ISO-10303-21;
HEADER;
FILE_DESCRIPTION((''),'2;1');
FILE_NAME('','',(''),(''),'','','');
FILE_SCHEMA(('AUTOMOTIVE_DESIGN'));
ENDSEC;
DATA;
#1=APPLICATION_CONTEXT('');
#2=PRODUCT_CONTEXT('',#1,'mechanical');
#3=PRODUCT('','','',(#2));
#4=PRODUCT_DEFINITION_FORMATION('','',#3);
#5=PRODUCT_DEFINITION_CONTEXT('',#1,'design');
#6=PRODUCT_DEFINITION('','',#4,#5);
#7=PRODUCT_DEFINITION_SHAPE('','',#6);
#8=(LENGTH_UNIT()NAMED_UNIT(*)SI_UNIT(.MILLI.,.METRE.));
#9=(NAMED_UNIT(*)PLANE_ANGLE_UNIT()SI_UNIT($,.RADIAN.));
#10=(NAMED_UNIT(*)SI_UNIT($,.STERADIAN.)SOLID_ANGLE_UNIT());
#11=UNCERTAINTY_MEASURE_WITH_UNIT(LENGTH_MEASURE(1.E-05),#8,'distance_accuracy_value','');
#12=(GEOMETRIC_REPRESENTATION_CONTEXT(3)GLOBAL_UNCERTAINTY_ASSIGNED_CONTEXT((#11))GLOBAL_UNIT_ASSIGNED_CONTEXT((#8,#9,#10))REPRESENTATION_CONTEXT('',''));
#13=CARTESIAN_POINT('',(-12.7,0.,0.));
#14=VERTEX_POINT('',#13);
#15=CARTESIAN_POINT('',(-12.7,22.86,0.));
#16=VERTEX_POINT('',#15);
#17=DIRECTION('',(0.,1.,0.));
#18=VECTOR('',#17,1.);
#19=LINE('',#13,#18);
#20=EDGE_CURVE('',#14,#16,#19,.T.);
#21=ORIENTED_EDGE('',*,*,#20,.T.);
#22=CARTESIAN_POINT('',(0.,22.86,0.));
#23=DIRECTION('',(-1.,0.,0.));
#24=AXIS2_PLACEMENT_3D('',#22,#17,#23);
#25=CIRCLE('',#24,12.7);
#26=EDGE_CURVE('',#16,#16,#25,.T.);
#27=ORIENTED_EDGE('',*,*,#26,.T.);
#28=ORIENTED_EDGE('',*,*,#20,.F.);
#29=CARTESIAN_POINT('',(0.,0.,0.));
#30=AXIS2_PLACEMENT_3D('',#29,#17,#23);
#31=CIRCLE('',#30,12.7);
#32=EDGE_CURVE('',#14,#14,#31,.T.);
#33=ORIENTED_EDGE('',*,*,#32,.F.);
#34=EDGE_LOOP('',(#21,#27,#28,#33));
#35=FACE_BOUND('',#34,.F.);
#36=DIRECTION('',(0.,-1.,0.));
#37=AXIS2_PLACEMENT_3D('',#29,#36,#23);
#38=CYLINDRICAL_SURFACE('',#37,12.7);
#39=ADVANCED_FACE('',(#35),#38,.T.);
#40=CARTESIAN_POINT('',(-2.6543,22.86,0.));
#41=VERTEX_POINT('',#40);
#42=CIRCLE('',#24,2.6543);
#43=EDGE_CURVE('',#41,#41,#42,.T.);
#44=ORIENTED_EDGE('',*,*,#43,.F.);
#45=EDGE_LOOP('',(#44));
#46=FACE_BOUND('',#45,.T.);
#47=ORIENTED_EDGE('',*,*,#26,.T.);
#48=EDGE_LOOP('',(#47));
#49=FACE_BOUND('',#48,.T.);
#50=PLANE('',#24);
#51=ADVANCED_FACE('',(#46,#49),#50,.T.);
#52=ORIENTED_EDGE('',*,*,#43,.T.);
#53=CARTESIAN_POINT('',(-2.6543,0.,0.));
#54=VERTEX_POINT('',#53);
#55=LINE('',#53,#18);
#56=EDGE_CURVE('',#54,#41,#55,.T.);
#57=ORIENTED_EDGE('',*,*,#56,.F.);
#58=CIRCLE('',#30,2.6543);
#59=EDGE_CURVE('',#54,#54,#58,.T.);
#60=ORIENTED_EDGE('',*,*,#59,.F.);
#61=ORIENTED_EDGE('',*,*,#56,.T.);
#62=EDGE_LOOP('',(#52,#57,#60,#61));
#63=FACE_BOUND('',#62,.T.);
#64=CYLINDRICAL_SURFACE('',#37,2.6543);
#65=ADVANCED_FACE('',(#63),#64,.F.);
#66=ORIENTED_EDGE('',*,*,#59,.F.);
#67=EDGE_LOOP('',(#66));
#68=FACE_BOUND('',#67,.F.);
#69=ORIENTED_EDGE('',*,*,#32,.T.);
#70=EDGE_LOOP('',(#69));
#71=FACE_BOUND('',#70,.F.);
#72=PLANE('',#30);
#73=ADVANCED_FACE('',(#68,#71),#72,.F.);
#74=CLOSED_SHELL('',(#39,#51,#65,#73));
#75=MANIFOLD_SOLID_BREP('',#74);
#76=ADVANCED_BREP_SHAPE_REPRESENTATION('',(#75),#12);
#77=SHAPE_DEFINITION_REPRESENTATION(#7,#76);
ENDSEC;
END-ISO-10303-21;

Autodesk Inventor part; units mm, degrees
ref_plane "YZ Plane" through (0, 0, 0) normal (1, 0, 0) x (0, 1, 0)
ref_plane "XZ Plane" through (0, 0, 0) normal (0, 1, 0) x (-1, 0, 0)
ref_plane "XY Plane" through (0, 0, 0) normal (0, 0, 1) x (1, 0, 0)
sketch "Sketch1" plane through (0, 0, 0) normal (0, 1, 0) x (-1, 0, 0)
  circle A0 centre (0, 0) radius 2.6543
  circle A1 centre (0, 0) radius 12.7
  dimension "d0" = 5.3086
  dimension "d1" = 25.4
extrude "Extrusion1" add sketch "Sketch1" along normal blind 22.86
properties part number "Spacer (make 4)"
